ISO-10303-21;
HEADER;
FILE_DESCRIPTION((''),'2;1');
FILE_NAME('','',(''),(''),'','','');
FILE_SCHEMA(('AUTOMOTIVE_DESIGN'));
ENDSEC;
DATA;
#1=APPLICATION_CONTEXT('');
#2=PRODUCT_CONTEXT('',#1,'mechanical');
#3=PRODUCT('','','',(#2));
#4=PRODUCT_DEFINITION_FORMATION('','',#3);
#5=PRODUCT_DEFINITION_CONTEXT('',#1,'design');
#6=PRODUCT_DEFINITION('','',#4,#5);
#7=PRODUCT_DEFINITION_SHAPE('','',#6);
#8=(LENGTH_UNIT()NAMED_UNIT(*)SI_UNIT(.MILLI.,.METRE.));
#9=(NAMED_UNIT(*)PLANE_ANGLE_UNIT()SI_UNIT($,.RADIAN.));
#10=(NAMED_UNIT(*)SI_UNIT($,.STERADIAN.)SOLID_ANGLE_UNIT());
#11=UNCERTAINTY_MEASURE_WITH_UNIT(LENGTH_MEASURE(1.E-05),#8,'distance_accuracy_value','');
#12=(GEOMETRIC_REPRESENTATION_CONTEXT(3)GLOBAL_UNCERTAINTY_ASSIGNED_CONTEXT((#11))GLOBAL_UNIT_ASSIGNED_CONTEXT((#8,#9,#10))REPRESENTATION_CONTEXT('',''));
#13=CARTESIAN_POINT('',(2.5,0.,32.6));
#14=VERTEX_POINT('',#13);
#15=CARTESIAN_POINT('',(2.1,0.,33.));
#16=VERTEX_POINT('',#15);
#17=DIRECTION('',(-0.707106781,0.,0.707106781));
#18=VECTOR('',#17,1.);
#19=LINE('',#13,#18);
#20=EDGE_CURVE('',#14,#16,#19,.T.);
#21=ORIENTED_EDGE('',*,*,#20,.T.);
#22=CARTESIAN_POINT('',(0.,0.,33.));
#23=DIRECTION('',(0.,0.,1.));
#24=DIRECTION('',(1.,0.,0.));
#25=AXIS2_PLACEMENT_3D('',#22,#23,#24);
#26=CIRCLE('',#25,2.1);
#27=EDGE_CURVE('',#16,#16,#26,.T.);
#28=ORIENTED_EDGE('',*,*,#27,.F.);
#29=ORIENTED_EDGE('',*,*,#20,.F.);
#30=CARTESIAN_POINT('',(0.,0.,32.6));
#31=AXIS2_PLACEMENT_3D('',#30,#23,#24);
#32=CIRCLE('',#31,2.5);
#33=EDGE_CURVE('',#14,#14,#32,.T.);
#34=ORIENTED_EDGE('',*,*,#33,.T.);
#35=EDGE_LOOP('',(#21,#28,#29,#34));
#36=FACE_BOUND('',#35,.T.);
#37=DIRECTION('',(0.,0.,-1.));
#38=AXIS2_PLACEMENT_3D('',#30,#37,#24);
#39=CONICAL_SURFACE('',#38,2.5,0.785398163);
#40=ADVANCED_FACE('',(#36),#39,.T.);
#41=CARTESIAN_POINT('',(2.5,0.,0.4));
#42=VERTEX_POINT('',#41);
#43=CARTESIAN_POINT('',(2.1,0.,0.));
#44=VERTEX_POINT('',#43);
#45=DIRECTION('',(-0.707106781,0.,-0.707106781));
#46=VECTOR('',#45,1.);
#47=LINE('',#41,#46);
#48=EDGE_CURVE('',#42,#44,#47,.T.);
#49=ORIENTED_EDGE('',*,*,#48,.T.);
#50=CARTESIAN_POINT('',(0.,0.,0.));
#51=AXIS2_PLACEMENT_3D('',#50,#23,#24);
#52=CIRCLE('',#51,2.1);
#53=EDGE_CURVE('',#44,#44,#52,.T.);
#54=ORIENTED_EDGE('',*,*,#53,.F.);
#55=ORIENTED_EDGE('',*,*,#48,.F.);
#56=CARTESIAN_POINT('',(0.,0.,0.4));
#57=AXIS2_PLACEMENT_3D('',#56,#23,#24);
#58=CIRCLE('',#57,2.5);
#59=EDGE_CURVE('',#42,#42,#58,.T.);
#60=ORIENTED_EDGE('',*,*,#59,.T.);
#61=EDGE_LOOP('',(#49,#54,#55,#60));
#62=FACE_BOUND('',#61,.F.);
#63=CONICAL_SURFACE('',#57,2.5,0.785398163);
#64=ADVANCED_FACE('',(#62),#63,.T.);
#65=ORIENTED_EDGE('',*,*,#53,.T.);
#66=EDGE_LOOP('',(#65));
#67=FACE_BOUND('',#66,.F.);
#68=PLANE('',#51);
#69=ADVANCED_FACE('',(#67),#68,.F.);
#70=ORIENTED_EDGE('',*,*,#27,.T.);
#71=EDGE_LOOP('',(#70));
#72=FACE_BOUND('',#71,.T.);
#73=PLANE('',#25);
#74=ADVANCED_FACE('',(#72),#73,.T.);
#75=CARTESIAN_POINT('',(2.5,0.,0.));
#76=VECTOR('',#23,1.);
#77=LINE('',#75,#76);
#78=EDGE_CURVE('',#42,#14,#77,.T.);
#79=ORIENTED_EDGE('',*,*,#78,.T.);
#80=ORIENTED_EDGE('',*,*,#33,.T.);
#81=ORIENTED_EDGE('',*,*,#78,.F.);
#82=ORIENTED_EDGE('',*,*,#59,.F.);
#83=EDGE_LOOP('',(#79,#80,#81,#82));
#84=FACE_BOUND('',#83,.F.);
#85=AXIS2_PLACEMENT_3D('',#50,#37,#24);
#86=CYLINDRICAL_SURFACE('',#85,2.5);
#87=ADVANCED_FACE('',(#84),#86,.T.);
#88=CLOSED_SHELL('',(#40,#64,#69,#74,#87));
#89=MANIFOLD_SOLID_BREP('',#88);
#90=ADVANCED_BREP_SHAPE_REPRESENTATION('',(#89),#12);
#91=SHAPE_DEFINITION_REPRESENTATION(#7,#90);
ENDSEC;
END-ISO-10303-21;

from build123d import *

# Parameters (mm, degrees)
SKETCH1_R           = 2.5
BOSS_EXTRUDE1_DEPTH = 33
CHAMFER1_SIZE       = 0.4


with BuildPart() as part:
    # Sketch1 → Boss-Extrude1 (new body)
    with BuildSketch(Plane.XY):
        Circle(SKETCH1_R)
    extrude(amount=BOSS_EXTRUDE1_DEPTH)

    # Chamfer1
    chamfer1_edges = [part.edges().sort_by_distance(p)[0] for p in [
        (-2.5, 0, 0),
        (-2.5, 0, 33),
    ]]
    chamfer(chamfer1_edges, length=CHAMFER1_SIZE)


solid = part.part
